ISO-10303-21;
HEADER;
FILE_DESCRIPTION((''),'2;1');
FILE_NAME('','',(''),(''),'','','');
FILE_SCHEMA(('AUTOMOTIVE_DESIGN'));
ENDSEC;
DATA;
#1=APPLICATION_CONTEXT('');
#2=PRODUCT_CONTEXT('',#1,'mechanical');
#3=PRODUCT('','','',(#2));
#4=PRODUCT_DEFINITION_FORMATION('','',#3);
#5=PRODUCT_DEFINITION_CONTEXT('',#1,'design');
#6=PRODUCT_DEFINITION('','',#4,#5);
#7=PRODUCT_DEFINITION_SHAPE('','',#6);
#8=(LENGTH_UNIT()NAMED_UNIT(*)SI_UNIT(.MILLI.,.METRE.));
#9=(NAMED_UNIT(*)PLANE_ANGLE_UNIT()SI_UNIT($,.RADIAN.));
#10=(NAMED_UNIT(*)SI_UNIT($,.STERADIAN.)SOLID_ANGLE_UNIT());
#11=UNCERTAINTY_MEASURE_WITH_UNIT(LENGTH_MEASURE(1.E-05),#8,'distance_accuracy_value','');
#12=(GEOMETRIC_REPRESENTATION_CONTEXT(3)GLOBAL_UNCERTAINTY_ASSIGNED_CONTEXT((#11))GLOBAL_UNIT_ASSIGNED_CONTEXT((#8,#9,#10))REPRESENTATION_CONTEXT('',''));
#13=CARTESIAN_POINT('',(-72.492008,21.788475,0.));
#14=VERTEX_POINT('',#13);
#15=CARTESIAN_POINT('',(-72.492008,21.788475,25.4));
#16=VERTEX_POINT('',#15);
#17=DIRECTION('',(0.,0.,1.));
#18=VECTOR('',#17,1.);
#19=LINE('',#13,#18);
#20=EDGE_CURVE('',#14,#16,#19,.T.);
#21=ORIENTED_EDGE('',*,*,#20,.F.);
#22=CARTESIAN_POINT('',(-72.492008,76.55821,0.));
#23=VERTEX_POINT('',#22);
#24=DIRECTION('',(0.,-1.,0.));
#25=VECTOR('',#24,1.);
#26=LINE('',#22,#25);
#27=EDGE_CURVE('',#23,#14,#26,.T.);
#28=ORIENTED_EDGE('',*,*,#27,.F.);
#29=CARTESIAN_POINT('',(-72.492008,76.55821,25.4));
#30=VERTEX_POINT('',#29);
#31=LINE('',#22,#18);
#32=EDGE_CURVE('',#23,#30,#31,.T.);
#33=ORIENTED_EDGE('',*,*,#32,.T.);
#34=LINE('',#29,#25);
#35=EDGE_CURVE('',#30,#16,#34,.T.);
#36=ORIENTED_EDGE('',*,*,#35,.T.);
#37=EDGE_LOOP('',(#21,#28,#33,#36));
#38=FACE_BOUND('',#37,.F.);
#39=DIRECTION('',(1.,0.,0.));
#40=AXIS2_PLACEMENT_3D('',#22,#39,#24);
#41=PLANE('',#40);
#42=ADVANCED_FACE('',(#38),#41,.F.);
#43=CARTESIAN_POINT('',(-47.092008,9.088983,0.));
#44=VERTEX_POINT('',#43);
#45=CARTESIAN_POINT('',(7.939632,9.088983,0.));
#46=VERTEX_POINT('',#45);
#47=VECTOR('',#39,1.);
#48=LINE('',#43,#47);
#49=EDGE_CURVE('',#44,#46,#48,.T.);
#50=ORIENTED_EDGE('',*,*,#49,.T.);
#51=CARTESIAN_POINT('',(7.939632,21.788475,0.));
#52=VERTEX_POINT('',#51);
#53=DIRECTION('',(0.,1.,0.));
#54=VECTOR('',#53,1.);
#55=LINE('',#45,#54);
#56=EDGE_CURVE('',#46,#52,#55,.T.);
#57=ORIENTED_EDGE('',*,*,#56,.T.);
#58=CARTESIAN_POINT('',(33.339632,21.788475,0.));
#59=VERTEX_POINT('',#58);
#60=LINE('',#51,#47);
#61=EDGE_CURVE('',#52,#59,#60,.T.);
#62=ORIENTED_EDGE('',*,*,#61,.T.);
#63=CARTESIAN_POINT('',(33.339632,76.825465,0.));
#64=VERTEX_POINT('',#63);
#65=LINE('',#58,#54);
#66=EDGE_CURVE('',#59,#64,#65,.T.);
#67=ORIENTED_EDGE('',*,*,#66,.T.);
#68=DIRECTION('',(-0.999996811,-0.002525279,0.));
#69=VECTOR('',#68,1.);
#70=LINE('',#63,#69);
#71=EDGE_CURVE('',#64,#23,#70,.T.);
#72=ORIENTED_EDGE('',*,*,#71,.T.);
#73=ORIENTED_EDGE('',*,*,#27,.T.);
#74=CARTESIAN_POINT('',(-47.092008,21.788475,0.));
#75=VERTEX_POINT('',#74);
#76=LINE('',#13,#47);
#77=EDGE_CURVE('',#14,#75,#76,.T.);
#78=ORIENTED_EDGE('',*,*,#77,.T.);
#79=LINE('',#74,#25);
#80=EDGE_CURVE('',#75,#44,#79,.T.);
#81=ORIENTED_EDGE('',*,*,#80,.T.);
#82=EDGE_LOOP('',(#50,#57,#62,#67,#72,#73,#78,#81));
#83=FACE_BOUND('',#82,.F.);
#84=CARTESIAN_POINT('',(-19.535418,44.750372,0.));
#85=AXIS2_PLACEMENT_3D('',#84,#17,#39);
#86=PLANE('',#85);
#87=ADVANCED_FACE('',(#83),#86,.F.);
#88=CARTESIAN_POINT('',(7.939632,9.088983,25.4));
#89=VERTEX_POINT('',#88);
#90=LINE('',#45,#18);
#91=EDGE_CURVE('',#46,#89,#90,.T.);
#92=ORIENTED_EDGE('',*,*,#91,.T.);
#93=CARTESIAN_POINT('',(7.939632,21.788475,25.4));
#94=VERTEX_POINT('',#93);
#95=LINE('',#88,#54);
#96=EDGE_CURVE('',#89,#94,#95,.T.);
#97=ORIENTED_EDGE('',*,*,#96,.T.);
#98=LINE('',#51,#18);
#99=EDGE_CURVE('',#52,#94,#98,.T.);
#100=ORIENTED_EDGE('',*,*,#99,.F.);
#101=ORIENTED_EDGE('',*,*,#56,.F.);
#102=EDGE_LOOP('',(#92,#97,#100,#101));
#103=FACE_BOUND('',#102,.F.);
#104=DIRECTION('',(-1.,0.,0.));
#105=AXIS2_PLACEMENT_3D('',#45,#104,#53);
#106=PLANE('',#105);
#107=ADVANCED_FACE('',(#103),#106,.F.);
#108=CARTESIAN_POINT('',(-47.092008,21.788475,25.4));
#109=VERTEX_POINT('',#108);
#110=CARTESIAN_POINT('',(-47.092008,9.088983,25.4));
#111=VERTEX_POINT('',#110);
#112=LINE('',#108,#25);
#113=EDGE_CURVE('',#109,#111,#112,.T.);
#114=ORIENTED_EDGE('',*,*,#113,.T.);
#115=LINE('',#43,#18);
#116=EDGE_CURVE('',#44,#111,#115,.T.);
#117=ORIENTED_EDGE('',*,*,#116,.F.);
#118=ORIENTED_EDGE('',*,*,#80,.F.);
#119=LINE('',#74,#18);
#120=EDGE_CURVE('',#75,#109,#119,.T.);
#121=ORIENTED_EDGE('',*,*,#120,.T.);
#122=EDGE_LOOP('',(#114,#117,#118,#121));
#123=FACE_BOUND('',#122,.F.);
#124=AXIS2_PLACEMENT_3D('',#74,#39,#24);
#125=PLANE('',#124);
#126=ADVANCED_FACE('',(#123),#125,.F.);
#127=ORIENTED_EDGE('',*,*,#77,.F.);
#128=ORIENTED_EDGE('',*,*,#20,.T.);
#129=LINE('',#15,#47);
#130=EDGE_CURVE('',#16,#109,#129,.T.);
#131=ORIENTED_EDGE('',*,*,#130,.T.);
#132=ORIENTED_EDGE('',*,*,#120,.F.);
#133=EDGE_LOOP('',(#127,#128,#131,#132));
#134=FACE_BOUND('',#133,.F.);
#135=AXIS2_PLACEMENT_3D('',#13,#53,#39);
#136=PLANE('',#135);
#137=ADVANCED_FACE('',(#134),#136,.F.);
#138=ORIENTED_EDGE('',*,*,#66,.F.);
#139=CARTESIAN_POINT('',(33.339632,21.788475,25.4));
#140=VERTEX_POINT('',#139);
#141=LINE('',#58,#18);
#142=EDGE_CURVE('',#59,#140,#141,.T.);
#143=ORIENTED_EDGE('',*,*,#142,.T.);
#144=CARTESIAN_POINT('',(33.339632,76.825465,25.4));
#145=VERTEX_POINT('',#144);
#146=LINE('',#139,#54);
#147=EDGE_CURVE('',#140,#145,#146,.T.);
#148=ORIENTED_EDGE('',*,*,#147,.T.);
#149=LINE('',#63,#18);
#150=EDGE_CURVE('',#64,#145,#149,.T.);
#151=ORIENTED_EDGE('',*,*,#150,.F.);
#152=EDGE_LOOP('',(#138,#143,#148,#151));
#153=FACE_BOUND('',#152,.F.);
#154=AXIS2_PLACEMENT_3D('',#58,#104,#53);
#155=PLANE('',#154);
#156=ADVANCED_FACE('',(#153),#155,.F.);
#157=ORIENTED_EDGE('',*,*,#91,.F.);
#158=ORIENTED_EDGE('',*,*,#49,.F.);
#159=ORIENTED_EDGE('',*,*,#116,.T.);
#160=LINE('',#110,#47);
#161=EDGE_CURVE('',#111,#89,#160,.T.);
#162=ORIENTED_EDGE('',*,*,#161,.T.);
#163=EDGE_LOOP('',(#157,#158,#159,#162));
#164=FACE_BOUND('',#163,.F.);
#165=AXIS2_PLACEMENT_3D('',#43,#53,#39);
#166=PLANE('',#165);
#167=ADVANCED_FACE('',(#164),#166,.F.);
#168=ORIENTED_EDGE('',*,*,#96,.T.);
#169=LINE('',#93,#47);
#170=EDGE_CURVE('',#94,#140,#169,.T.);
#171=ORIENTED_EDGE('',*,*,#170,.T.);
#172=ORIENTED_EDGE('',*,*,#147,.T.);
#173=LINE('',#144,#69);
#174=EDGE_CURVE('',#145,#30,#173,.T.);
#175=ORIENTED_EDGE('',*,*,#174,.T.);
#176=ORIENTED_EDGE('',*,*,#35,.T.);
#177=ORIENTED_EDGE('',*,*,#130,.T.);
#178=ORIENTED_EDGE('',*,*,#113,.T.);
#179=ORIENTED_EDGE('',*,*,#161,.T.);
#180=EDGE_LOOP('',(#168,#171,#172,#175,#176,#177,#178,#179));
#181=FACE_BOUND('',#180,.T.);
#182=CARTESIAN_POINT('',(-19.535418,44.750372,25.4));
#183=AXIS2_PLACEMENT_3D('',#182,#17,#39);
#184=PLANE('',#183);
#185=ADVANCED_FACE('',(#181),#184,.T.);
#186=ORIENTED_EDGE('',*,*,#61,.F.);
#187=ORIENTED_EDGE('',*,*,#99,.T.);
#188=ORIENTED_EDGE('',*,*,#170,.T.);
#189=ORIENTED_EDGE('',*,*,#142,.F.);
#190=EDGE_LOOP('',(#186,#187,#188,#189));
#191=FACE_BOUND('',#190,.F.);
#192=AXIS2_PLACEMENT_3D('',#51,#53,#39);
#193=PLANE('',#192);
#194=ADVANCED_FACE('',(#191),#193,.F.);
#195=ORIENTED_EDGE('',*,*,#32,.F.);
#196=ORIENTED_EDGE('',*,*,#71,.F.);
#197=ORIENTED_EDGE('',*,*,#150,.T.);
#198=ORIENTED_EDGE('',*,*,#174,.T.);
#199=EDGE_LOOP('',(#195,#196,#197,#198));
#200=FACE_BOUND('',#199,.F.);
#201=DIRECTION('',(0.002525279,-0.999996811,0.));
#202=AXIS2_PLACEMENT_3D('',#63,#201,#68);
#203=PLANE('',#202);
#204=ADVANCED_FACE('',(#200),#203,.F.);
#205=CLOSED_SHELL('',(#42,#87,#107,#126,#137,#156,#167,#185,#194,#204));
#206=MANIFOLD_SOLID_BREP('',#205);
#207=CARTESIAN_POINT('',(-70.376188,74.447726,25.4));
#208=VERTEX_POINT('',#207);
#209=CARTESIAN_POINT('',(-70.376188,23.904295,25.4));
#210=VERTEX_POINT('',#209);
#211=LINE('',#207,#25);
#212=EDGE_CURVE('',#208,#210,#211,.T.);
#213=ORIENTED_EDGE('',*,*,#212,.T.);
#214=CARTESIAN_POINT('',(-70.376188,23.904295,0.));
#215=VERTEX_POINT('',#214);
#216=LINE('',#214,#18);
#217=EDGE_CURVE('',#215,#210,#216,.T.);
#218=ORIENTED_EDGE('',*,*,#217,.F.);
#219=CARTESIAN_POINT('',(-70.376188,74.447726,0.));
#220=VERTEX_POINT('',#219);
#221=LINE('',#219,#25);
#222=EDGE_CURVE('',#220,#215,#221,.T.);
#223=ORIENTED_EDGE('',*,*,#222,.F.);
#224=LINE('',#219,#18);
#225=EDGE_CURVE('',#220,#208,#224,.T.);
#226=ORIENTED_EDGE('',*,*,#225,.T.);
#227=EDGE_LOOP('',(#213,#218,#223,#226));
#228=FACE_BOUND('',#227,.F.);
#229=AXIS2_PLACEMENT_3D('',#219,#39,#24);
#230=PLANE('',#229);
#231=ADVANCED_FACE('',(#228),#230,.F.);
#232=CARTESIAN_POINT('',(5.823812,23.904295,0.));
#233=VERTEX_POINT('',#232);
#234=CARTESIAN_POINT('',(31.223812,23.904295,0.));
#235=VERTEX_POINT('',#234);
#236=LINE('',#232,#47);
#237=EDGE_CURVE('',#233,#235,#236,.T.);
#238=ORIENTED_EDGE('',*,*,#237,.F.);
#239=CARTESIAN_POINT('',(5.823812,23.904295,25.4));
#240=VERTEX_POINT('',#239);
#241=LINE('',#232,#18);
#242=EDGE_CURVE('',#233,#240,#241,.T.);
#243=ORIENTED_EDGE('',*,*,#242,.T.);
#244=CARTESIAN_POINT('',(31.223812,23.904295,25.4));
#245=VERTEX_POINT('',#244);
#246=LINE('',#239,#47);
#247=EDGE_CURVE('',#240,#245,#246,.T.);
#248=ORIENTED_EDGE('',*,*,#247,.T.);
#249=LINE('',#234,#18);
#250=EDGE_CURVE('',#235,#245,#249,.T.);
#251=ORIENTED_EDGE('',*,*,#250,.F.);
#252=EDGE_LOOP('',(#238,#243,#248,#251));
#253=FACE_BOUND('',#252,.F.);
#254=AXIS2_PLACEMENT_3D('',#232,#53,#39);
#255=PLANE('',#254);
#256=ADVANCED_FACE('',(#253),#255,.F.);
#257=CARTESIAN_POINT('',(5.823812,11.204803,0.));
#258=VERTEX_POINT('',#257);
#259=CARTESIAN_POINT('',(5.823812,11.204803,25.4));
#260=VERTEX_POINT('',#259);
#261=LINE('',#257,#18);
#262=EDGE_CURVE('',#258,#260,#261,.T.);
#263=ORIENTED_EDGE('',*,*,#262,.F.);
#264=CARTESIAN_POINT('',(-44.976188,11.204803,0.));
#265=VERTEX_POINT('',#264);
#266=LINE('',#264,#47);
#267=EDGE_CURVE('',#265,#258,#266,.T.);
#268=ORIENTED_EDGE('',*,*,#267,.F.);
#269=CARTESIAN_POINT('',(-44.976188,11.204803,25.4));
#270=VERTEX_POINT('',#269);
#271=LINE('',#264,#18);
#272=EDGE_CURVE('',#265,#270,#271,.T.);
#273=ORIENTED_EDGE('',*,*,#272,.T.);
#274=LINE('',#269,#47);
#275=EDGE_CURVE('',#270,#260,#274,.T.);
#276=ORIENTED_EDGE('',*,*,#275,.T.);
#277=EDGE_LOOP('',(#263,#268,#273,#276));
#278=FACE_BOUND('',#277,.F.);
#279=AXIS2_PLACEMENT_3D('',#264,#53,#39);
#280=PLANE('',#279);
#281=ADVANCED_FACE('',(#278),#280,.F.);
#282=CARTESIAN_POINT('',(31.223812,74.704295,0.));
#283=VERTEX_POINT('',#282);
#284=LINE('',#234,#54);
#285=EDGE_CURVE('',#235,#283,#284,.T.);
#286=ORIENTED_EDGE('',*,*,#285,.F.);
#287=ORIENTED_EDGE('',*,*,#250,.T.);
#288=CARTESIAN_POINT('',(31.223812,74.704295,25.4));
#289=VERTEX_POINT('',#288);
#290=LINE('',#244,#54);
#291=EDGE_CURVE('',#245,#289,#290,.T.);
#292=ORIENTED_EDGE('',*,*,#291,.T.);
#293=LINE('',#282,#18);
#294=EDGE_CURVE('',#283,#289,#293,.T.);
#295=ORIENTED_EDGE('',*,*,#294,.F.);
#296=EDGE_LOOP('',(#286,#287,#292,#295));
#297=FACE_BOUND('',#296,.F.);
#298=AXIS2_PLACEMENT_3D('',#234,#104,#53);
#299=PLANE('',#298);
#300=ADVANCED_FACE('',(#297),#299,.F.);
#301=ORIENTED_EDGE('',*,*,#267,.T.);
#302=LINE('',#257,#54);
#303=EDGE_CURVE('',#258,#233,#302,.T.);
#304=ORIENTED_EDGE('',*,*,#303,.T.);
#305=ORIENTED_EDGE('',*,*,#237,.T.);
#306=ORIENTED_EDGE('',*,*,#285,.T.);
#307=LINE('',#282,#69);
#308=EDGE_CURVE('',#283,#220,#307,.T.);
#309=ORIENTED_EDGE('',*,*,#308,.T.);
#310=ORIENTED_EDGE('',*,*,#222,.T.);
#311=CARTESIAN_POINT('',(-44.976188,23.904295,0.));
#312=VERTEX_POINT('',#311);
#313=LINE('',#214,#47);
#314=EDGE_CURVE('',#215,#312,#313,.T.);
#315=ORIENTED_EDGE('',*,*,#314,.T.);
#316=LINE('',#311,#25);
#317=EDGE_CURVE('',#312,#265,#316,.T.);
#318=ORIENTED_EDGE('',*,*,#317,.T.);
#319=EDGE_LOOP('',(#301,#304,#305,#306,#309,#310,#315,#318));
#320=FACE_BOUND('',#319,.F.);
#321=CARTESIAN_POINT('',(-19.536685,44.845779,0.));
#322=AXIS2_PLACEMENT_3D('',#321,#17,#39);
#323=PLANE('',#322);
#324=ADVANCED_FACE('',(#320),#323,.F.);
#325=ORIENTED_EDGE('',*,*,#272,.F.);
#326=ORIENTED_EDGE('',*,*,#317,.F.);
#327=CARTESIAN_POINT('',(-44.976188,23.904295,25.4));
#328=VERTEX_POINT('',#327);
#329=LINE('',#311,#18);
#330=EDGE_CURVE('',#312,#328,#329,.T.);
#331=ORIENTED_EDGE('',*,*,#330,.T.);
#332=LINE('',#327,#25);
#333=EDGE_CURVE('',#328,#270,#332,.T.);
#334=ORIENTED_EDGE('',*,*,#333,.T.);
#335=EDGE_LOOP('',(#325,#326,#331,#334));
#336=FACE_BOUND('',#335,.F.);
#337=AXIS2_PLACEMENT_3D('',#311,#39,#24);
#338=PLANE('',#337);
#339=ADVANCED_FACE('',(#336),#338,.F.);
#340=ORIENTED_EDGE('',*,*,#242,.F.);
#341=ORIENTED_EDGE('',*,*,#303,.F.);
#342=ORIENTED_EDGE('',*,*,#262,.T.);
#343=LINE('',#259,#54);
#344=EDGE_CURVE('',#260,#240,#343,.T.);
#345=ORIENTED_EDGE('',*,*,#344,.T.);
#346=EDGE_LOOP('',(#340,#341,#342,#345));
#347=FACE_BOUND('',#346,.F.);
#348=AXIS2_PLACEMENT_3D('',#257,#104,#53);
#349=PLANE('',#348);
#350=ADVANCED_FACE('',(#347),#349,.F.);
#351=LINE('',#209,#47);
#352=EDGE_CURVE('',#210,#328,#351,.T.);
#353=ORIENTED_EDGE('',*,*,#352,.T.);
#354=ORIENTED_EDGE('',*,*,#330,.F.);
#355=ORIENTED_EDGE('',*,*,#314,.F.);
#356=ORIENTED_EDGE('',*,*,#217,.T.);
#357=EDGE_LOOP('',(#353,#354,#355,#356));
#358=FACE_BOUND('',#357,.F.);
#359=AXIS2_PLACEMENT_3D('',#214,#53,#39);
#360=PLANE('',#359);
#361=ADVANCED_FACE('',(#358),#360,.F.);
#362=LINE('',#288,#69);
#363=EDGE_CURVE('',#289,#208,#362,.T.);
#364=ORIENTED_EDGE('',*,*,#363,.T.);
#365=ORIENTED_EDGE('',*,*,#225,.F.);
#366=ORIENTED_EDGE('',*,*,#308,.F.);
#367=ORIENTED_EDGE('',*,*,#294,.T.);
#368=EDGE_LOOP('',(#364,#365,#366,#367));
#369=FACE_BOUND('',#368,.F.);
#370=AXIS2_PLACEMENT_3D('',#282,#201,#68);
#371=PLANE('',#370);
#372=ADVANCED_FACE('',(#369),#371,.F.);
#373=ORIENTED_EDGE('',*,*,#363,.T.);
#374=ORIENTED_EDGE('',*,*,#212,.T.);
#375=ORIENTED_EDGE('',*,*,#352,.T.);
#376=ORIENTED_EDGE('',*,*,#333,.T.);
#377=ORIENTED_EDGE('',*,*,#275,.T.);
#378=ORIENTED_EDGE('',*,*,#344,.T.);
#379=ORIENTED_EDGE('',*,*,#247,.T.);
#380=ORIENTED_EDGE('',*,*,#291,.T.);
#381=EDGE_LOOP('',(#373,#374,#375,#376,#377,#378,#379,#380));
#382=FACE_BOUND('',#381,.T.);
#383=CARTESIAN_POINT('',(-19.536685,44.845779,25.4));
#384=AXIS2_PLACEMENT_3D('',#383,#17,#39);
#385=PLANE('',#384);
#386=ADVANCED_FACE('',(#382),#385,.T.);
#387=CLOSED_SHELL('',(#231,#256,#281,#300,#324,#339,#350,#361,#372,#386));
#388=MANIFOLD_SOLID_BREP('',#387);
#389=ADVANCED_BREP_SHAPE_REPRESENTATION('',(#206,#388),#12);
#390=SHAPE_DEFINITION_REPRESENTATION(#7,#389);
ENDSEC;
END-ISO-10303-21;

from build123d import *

# Parameters (mm, degrees)
F2_DEPTH = 25.4


with BuildPart() as f2:
    # F1 (on Top) → F2 (new body)
    with BuildSketch(Plane.XY):
        Polygon((7.9396317849, 21.7884753897), (33.3396317849, 21.7884753897), (33.3396317849, 76.8254651894), (-72.4920082151, 76.5582098941), (-72.4920082151, 21.7884753897), (-47.0920082151, 21.7884753897), (-47.0920082151, 9.0889833897), (7.9396317849, 9.0889833897), align=None)
    extrude(amount=F2_DEPTH)


with BuildPart() as f2b:
    # F0 (on Top) → F2, piece 2 (new body)
    with BuildSketch(Plane.XY):
        Polygon((31.2238117849, 74.7042953897), (-70.3761882151, 74.4477262011), (-70.3761882151, 23.9042953897), (-44.9761882151, 23.9042953897), (-44.9761882151, 11.2048033897), (5.8238117849, 11.2048033897), (5.8238117849, 23.9042953897), (31.2238117849, 23.9042953897), align=None)
    extrude(amount=F2_DEPTH)


solid = Compound([f2.part, f2b.part])
